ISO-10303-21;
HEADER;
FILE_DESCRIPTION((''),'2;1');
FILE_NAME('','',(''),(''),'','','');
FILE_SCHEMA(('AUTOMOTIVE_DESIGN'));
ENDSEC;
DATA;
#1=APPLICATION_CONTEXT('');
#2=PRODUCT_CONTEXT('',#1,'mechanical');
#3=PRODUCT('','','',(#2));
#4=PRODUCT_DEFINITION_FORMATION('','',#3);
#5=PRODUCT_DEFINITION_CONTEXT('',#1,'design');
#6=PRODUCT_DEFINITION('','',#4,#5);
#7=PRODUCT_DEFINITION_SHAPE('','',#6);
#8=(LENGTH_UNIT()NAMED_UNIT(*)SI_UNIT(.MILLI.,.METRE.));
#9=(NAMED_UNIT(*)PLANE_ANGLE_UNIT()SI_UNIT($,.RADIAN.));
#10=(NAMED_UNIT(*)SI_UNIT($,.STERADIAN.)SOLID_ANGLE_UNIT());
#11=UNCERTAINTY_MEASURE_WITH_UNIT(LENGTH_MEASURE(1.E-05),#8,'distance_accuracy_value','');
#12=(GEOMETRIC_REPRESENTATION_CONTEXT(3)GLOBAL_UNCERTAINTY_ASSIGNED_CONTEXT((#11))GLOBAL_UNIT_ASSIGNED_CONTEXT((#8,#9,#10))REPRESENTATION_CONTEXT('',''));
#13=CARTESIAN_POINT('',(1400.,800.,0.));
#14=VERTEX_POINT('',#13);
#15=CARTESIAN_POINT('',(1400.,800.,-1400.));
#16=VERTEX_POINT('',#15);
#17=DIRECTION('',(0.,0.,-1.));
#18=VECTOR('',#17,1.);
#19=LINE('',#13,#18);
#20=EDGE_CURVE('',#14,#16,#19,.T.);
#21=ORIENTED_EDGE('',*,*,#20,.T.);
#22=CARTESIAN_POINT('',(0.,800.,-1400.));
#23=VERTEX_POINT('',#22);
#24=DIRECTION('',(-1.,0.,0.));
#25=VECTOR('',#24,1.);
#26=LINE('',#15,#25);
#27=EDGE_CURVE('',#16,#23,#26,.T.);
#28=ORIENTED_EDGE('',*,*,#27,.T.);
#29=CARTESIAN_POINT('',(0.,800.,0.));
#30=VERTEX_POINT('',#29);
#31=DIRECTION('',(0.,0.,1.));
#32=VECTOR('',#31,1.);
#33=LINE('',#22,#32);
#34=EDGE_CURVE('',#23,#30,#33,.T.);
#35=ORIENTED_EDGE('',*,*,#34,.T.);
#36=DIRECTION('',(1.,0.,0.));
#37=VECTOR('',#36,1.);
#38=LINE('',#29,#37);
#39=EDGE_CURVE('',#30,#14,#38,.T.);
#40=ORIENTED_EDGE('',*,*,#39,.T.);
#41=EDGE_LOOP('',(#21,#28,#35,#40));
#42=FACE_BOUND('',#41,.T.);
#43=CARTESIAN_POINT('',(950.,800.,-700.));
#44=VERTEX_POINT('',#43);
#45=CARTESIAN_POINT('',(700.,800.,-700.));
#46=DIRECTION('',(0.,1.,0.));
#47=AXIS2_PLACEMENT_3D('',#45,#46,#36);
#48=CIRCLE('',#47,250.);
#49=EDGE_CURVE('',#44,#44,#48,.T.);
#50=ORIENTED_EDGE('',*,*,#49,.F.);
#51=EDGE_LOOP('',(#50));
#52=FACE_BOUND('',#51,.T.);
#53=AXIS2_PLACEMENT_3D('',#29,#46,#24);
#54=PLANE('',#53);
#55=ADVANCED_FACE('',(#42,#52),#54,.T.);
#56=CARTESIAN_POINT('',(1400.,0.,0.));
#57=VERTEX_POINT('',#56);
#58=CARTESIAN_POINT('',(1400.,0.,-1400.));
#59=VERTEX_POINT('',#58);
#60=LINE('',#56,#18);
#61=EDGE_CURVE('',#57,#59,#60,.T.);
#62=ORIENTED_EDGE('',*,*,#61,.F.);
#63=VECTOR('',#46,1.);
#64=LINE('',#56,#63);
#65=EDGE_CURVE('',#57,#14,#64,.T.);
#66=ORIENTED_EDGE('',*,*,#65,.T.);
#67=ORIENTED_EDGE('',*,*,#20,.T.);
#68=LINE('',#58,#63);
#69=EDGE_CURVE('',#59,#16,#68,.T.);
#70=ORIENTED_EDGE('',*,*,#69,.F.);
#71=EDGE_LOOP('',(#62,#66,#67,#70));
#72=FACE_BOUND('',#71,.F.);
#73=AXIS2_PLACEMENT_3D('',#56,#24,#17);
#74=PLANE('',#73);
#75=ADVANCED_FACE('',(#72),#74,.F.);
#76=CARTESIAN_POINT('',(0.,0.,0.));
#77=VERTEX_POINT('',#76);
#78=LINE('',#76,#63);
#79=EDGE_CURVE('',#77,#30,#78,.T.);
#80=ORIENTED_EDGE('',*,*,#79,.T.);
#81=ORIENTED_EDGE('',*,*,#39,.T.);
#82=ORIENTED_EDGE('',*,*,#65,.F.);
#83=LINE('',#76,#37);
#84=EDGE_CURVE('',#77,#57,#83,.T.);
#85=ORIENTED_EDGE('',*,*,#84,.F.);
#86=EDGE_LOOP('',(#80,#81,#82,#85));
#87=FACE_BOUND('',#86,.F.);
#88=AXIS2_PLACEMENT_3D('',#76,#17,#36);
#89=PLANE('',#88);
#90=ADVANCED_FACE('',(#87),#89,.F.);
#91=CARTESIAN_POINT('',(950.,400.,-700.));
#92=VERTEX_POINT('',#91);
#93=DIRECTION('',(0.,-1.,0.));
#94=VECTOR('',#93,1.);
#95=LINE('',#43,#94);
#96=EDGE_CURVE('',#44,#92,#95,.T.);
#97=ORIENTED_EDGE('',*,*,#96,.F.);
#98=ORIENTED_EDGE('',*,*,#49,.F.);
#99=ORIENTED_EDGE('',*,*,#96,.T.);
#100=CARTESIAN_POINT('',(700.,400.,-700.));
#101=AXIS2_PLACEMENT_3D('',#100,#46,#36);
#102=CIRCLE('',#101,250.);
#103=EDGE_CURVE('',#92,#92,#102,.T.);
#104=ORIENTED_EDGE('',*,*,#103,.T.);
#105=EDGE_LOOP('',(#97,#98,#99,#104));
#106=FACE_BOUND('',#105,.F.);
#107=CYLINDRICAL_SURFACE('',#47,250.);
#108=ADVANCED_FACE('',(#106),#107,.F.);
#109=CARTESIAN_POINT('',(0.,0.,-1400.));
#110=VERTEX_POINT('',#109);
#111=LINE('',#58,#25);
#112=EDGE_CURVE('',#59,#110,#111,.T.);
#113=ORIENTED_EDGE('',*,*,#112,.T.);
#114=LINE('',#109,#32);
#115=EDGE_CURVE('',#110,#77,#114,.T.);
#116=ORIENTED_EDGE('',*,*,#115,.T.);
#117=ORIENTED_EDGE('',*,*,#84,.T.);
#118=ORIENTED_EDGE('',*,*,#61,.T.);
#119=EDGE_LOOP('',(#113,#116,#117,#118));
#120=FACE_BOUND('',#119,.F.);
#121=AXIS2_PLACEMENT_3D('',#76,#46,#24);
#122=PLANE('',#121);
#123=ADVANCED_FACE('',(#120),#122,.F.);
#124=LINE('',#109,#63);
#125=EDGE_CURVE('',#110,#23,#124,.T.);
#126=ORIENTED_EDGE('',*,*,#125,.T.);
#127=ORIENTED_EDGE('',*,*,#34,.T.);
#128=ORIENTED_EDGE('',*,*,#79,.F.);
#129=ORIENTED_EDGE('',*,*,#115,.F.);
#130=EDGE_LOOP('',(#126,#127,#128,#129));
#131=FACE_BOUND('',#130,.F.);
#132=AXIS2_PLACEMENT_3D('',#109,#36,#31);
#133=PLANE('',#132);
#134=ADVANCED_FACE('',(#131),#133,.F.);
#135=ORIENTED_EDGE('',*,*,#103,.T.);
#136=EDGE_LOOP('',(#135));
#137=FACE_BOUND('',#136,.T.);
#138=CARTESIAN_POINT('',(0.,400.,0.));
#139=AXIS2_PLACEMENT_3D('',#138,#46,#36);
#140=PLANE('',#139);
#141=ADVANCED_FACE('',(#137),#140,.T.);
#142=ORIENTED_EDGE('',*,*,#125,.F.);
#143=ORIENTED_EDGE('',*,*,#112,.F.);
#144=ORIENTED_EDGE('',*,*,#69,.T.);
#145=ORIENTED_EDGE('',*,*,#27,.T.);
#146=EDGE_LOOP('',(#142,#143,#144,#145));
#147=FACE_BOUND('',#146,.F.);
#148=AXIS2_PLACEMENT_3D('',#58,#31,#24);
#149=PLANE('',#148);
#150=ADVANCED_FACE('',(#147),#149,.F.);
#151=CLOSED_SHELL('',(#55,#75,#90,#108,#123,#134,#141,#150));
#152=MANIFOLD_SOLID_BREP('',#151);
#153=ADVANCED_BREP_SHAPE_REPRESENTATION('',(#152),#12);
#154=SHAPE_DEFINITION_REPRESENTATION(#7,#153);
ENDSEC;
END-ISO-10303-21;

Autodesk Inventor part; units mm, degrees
ref_plane "YZ Plane" through (0, 0, 0) normal (1, 0, 0) x (0, 1, 0)
ref_plane "XZ Plane" through (0, 0, 0) normal (0, 1, 0) x (-1, 0, 0)
ref_plane "XY Plane" through (0, 0, 0) normal (0, 0, 1) x (1, 0, 0)
sketch "Boceto1" plane through (0, 0, 0) normal (0, 1, 0) x (-1, 0, 0)
  line L0 (0, 0) -> (-1400, 0)
  line L1 (-1400, 0) -> (-1400, -1400)
  line L2 (-1400, -1400) -> (0, -1400)
  line L3 (0, -1400) -> (0, 0)
  dimension "d0" = 1400
  dimension "d1" = 1400
extrude "Extrusión1" add sketch "Boceto1" along normal blind 800
sketch "Boceto2" plane through (0, 800, 0) normal (0, 1, 0) x (1, 0, 0)
  line L0 (0, 0) -> (800, 0)
  circle A0 centre (700, 700) radius 250
  line L1 (0, 1400) -> (0, 0) projected
  line L2 (1400, 1400) -> (0, 1400) projected
  dimension "d6" = 500
  dimension "d9" = 700
  dimension "d10" = 700
extrude "Extrusión2" cut sketch "Boceto2" against normal blind 400
properties part number "Soporte"
